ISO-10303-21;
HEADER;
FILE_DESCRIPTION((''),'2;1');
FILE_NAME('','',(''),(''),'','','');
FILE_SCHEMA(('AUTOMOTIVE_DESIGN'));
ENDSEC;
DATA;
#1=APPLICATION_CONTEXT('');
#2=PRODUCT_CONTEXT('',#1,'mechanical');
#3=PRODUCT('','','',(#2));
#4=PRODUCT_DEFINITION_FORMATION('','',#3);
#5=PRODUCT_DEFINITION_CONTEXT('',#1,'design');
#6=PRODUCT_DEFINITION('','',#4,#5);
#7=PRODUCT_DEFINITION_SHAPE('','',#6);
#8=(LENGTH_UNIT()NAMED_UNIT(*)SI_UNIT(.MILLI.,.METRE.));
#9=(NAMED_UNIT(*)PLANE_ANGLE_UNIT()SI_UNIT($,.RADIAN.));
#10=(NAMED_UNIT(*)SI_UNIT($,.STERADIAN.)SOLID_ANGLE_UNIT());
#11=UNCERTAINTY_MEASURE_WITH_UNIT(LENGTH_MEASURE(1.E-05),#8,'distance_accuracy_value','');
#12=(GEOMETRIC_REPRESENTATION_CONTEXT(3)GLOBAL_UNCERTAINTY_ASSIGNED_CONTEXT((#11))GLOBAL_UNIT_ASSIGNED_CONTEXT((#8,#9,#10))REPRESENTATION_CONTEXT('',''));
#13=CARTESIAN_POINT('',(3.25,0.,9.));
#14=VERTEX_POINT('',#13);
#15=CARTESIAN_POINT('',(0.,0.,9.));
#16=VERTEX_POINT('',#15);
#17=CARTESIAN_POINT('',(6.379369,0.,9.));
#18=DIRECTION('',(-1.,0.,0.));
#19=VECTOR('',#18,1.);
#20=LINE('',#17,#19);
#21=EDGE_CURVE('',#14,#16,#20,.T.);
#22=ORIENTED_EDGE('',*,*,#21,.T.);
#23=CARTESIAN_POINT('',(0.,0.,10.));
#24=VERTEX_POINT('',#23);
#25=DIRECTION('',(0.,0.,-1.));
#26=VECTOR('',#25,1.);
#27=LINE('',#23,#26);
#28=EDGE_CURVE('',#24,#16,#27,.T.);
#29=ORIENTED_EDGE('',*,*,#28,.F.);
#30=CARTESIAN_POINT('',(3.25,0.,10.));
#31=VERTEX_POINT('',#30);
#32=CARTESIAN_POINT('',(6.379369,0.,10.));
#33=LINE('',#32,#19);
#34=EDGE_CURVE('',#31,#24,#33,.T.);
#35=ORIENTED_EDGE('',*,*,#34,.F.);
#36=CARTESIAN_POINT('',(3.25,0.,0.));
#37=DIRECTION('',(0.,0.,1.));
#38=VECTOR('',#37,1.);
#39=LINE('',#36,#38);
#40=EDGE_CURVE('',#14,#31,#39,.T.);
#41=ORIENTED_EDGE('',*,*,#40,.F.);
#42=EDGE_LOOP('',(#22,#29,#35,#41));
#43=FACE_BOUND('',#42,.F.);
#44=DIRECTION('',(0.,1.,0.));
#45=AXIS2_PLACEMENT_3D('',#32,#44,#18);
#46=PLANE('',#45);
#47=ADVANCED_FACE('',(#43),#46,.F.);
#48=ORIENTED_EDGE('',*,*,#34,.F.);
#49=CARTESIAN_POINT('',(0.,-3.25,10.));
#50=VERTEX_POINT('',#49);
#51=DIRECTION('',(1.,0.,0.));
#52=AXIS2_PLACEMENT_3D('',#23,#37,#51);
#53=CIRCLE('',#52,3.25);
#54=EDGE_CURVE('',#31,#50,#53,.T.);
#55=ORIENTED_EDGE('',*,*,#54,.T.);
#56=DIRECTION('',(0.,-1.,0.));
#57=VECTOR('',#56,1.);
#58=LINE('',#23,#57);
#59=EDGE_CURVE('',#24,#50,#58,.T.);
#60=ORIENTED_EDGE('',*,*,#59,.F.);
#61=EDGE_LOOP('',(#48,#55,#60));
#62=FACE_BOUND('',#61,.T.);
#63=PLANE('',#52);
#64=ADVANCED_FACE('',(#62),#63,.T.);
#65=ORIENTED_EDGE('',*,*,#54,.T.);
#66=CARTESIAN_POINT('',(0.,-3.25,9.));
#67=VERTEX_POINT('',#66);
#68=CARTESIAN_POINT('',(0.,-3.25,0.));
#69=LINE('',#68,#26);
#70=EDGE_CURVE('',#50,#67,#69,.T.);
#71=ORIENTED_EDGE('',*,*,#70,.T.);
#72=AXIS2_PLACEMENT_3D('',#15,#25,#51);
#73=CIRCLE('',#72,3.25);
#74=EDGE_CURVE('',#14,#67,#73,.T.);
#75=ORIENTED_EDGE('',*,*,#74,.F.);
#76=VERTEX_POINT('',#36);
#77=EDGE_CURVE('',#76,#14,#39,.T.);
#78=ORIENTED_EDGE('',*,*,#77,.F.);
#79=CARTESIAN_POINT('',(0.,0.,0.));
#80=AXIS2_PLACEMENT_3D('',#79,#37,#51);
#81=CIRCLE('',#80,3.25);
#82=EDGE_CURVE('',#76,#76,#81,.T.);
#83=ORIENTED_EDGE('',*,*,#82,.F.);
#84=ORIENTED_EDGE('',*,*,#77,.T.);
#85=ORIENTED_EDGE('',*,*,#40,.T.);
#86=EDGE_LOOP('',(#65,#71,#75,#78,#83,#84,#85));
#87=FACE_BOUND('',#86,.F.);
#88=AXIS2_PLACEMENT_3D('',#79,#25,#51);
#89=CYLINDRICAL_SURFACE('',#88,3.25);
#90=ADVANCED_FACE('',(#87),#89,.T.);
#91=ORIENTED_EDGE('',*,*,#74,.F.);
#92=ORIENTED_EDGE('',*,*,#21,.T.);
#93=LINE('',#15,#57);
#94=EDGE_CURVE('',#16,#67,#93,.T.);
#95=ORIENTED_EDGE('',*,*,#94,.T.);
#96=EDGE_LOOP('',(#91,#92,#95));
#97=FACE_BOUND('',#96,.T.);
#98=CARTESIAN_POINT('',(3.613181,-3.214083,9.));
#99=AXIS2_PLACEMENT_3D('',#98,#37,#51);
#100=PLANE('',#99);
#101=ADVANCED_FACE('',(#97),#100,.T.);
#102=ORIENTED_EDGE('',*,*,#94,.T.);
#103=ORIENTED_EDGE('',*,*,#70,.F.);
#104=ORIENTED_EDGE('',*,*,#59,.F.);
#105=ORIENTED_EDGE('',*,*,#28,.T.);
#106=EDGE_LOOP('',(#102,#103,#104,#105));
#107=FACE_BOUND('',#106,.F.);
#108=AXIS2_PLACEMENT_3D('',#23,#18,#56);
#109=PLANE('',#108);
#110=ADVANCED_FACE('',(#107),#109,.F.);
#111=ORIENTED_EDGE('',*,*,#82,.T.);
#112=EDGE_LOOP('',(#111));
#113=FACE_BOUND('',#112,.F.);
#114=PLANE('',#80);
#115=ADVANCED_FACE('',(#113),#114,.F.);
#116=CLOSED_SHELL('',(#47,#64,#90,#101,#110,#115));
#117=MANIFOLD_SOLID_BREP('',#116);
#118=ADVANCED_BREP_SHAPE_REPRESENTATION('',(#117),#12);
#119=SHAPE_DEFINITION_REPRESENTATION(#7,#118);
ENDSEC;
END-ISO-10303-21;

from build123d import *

# Parameters (mm, degrees)
F0_R     = 3.25
F1_DEPTH = 10
F3_DEPTH = 1


with BuildPart() as f1:
    # F0 (on Top) → F1 (new body)
    with BuildSketch(Plane.XY):
        Circle(F0_R)
    extrude(amount=F1_DEPTH)

    # F2 (on face) → F3 (cut)
    with BuildSketch(Plane.XY.offset(10)):
        with BuildLine():
            Line((6.379369, 0), (3.25, 0))
            ThreePointArc((3.25, 0), (2.298097, -2.298097), (0, -3.25))
            Line((0, -3.25), (0, -5.629462))
            Line((0, -5.629462), (6.379369, -5.629462))
            Line((6.379369, -5.629462), (6.379369, 0))
        make_face()
        with BuildLine():
            Line((3.25, 0), (0, 0))
            Line((0, 0), (0, -3.25))
            ThreePointArc((0, -3.25), (2.298097, -2.298097), (3.25, 0))
        make_face()
    extrude(amount=-F3_DEPTH, mode=Mode.SUBTRACT)


with BuildPart() as f4_1:
    # F4: copy of F1
    add(f1.part)


with BuildPart() as f5_1:
    # F5: copy of F4_1
    add(f4_1.part)


with BuildPart() as f6_1:
    # F6: copy of F5_1
    add(f5_1.part)


with BuildPart() as f7_1:
    # F7: copy of F6_1
    add(f6_1.part)


with BuildPart() as f8_1:
    # F8: copy of F7_1
    add(f7_1.part)


with BuildPart() as f9_1:
    # F9: copy of F8_1
    add(f8_1.part)


with BuildPart() as f10_1:
    # F10: copy of F9_1
    add(f9_1.part)


with BuildPart() as f11_1:
    # F11: copy of F1
    add(f1.part)


solid = f1.part
